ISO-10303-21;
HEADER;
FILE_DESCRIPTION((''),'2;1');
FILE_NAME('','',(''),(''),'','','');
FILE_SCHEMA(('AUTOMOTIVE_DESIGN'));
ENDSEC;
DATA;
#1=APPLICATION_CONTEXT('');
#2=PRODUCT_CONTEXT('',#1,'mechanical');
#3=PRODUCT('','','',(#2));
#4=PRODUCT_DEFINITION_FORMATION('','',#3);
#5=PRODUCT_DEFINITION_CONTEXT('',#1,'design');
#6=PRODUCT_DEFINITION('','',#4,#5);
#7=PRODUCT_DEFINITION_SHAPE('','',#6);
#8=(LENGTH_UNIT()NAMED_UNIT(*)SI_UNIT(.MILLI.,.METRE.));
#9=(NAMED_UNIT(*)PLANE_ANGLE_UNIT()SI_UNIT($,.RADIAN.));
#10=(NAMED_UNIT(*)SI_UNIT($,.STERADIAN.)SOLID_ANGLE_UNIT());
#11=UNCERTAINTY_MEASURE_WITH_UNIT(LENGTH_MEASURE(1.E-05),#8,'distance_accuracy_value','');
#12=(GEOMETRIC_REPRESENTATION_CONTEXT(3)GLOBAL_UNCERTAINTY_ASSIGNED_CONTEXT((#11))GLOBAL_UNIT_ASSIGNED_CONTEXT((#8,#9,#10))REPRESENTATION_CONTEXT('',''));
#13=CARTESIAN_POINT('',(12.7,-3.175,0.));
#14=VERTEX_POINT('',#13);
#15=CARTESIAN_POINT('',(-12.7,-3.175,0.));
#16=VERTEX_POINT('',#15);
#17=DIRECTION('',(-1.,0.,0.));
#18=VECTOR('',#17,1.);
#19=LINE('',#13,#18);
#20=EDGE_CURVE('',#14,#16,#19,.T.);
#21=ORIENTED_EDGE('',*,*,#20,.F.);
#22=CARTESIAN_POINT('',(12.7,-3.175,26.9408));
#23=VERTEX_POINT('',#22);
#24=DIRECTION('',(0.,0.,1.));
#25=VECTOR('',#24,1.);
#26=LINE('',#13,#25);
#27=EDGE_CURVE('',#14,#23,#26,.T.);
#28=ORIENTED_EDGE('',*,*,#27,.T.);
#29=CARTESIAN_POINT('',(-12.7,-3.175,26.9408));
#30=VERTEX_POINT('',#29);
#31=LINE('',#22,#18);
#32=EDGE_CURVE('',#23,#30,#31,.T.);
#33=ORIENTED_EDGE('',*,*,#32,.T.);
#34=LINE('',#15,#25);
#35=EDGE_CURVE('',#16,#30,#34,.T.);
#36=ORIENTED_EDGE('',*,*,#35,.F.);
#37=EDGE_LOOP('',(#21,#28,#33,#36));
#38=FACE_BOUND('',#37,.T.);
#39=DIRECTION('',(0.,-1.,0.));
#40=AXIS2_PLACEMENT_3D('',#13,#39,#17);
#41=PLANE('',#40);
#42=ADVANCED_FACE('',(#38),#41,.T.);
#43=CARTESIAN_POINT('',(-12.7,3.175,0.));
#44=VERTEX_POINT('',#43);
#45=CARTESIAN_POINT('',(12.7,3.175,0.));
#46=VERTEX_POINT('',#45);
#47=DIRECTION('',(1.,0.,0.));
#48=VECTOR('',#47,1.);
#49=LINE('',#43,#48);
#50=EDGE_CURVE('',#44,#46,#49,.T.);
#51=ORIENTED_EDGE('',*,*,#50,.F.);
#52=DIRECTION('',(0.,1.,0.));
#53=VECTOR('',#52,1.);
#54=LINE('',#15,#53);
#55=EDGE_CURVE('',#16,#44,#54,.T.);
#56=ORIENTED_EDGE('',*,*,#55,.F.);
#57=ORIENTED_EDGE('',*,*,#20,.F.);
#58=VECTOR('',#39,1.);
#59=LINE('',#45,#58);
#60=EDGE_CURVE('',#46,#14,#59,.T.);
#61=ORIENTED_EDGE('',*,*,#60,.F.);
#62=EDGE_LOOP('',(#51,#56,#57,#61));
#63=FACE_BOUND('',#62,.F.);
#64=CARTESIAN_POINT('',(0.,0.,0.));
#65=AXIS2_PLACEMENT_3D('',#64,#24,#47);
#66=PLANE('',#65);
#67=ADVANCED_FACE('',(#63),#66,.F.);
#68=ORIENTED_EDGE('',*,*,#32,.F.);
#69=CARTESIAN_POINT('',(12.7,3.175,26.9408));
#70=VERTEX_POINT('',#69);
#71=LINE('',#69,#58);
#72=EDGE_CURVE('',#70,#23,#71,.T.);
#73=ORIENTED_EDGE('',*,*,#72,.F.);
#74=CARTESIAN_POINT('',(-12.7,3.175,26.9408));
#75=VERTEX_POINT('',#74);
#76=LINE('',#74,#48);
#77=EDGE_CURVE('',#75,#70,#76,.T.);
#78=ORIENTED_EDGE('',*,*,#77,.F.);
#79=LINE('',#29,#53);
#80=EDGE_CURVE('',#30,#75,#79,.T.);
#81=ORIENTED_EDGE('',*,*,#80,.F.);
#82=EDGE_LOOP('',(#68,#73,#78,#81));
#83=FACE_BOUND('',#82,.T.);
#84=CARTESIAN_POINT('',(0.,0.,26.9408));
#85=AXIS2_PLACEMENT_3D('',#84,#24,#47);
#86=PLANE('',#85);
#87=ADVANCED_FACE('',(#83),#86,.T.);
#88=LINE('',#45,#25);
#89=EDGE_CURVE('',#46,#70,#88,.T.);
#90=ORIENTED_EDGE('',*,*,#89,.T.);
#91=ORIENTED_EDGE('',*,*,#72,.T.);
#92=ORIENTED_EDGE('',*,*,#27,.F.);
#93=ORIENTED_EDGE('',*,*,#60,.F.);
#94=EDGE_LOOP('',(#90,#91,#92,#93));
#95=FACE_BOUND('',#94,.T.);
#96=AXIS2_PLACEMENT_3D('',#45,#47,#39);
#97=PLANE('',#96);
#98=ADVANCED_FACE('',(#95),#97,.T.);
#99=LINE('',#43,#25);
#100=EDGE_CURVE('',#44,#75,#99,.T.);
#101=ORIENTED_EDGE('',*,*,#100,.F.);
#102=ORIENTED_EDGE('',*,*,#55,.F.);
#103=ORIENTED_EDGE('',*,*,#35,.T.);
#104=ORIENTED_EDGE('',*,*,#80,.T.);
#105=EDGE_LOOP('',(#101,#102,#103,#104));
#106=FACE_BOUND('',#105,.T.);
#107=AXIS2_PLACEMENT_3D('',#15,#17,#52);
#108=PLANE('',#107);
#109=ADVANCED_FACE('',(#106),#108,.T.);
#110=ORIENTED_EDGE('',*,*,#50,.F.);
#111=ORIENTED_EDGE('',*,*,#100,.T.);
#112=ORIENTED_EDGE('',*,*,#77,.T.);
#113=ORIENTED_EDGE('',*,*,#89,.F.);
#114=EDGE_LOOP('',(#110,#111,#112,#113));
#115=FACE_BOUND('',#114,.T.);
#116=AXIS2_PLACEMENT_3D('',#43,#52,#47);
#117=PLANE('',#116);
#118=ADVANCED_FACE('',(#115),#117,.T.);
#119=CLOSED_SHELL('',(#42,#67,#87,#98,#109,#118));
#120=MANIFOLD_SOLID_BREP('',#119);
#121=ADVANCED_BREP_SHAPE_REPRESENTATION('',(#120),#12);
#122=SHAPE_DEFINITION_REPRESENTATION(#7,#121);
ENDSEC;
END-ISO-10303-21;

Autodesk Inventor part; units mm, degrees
ref_plane "YZ Plane" through (0, 0, 0) normal (1, 0, 0) x (0, 1, 0)
ref_plane "Start plane" through (0, 0, 0) normal (0, 0, 1) x (1, 0, 0)
ref_plane "End plane" through (0, 0, 26.9408) normal (0, 0, 1) x (1, 0, 0)
sketch "Sketch" plane through (0, 0, 0) normal (0, 0, 1) x (1, 0, 0)
  line L0 (12.7, -3.175) -> (-12.7, -3.175)
  line L1 (-12.7, -3.175) -> (-12.7, 3.175)
  line L2 (-12.7, 3.175) -> (12.7, 3.175)
  line L3 (12.7, 3.175) -> (12.7, -3.175)
  line L4 (-6, 0) -> (8, 0) construction
  line L5 (0, -30) -> (0, 40) construction
  line L6 (0, 54) -> (0, -44) construction
  line L7 (-17.78, 0) -> (17.78, 0) construction
  dimension "d0" = 6.35
  dimension "d1" = 25.4
  dimension "d4" = 12.7
  dimension "d5" = 3.175
extrude "Body" add sketch "Sketch" along normal up to surface (26.9408 mm away) from surface at 0
sketch "Sketch3" plane through (0, 0, 0) normal (0, 0, 1) x (1, 0, 0)
  line L0 (0, 0) -> (10, 0)
ref_plane "Work Plane3" through (0, 0, 0) normal (0, -1, 0) x (1, 0, 0)
sketch "Sketch4" plane through (0, 0, 0) normal (0, -1, 0) x (1, 0, 0)
  line L0 (-2, 0) -> (12, 0)
  line L1 (-2, 26.9408) -> (12, 26.9408)
  dimension "d9" = 26.9408
equation "\"d0\" = G_W"
equation "\"d1\" = G_H"
equation "\"d4\" = 0.5 * d1"
equation "\"d5\" = 0.5 * d0"
equation "\"d2\" = G_L"
equation "\"G_W\" = 6.35"
equation "\"G_H\" = 25.4"
equation "\"G_L\" = d9"
equation "\"G_OFFSET_START\" = 0"
equation "\"G_OFFSET_END\" = 0"
equation "\"d7\" = G_OFFSET_END + B_L"
equation "\"B_L\" = 26.94077"
properties part number "AISC - 1/4x1 - 1.061" material "Steel, Mild"
